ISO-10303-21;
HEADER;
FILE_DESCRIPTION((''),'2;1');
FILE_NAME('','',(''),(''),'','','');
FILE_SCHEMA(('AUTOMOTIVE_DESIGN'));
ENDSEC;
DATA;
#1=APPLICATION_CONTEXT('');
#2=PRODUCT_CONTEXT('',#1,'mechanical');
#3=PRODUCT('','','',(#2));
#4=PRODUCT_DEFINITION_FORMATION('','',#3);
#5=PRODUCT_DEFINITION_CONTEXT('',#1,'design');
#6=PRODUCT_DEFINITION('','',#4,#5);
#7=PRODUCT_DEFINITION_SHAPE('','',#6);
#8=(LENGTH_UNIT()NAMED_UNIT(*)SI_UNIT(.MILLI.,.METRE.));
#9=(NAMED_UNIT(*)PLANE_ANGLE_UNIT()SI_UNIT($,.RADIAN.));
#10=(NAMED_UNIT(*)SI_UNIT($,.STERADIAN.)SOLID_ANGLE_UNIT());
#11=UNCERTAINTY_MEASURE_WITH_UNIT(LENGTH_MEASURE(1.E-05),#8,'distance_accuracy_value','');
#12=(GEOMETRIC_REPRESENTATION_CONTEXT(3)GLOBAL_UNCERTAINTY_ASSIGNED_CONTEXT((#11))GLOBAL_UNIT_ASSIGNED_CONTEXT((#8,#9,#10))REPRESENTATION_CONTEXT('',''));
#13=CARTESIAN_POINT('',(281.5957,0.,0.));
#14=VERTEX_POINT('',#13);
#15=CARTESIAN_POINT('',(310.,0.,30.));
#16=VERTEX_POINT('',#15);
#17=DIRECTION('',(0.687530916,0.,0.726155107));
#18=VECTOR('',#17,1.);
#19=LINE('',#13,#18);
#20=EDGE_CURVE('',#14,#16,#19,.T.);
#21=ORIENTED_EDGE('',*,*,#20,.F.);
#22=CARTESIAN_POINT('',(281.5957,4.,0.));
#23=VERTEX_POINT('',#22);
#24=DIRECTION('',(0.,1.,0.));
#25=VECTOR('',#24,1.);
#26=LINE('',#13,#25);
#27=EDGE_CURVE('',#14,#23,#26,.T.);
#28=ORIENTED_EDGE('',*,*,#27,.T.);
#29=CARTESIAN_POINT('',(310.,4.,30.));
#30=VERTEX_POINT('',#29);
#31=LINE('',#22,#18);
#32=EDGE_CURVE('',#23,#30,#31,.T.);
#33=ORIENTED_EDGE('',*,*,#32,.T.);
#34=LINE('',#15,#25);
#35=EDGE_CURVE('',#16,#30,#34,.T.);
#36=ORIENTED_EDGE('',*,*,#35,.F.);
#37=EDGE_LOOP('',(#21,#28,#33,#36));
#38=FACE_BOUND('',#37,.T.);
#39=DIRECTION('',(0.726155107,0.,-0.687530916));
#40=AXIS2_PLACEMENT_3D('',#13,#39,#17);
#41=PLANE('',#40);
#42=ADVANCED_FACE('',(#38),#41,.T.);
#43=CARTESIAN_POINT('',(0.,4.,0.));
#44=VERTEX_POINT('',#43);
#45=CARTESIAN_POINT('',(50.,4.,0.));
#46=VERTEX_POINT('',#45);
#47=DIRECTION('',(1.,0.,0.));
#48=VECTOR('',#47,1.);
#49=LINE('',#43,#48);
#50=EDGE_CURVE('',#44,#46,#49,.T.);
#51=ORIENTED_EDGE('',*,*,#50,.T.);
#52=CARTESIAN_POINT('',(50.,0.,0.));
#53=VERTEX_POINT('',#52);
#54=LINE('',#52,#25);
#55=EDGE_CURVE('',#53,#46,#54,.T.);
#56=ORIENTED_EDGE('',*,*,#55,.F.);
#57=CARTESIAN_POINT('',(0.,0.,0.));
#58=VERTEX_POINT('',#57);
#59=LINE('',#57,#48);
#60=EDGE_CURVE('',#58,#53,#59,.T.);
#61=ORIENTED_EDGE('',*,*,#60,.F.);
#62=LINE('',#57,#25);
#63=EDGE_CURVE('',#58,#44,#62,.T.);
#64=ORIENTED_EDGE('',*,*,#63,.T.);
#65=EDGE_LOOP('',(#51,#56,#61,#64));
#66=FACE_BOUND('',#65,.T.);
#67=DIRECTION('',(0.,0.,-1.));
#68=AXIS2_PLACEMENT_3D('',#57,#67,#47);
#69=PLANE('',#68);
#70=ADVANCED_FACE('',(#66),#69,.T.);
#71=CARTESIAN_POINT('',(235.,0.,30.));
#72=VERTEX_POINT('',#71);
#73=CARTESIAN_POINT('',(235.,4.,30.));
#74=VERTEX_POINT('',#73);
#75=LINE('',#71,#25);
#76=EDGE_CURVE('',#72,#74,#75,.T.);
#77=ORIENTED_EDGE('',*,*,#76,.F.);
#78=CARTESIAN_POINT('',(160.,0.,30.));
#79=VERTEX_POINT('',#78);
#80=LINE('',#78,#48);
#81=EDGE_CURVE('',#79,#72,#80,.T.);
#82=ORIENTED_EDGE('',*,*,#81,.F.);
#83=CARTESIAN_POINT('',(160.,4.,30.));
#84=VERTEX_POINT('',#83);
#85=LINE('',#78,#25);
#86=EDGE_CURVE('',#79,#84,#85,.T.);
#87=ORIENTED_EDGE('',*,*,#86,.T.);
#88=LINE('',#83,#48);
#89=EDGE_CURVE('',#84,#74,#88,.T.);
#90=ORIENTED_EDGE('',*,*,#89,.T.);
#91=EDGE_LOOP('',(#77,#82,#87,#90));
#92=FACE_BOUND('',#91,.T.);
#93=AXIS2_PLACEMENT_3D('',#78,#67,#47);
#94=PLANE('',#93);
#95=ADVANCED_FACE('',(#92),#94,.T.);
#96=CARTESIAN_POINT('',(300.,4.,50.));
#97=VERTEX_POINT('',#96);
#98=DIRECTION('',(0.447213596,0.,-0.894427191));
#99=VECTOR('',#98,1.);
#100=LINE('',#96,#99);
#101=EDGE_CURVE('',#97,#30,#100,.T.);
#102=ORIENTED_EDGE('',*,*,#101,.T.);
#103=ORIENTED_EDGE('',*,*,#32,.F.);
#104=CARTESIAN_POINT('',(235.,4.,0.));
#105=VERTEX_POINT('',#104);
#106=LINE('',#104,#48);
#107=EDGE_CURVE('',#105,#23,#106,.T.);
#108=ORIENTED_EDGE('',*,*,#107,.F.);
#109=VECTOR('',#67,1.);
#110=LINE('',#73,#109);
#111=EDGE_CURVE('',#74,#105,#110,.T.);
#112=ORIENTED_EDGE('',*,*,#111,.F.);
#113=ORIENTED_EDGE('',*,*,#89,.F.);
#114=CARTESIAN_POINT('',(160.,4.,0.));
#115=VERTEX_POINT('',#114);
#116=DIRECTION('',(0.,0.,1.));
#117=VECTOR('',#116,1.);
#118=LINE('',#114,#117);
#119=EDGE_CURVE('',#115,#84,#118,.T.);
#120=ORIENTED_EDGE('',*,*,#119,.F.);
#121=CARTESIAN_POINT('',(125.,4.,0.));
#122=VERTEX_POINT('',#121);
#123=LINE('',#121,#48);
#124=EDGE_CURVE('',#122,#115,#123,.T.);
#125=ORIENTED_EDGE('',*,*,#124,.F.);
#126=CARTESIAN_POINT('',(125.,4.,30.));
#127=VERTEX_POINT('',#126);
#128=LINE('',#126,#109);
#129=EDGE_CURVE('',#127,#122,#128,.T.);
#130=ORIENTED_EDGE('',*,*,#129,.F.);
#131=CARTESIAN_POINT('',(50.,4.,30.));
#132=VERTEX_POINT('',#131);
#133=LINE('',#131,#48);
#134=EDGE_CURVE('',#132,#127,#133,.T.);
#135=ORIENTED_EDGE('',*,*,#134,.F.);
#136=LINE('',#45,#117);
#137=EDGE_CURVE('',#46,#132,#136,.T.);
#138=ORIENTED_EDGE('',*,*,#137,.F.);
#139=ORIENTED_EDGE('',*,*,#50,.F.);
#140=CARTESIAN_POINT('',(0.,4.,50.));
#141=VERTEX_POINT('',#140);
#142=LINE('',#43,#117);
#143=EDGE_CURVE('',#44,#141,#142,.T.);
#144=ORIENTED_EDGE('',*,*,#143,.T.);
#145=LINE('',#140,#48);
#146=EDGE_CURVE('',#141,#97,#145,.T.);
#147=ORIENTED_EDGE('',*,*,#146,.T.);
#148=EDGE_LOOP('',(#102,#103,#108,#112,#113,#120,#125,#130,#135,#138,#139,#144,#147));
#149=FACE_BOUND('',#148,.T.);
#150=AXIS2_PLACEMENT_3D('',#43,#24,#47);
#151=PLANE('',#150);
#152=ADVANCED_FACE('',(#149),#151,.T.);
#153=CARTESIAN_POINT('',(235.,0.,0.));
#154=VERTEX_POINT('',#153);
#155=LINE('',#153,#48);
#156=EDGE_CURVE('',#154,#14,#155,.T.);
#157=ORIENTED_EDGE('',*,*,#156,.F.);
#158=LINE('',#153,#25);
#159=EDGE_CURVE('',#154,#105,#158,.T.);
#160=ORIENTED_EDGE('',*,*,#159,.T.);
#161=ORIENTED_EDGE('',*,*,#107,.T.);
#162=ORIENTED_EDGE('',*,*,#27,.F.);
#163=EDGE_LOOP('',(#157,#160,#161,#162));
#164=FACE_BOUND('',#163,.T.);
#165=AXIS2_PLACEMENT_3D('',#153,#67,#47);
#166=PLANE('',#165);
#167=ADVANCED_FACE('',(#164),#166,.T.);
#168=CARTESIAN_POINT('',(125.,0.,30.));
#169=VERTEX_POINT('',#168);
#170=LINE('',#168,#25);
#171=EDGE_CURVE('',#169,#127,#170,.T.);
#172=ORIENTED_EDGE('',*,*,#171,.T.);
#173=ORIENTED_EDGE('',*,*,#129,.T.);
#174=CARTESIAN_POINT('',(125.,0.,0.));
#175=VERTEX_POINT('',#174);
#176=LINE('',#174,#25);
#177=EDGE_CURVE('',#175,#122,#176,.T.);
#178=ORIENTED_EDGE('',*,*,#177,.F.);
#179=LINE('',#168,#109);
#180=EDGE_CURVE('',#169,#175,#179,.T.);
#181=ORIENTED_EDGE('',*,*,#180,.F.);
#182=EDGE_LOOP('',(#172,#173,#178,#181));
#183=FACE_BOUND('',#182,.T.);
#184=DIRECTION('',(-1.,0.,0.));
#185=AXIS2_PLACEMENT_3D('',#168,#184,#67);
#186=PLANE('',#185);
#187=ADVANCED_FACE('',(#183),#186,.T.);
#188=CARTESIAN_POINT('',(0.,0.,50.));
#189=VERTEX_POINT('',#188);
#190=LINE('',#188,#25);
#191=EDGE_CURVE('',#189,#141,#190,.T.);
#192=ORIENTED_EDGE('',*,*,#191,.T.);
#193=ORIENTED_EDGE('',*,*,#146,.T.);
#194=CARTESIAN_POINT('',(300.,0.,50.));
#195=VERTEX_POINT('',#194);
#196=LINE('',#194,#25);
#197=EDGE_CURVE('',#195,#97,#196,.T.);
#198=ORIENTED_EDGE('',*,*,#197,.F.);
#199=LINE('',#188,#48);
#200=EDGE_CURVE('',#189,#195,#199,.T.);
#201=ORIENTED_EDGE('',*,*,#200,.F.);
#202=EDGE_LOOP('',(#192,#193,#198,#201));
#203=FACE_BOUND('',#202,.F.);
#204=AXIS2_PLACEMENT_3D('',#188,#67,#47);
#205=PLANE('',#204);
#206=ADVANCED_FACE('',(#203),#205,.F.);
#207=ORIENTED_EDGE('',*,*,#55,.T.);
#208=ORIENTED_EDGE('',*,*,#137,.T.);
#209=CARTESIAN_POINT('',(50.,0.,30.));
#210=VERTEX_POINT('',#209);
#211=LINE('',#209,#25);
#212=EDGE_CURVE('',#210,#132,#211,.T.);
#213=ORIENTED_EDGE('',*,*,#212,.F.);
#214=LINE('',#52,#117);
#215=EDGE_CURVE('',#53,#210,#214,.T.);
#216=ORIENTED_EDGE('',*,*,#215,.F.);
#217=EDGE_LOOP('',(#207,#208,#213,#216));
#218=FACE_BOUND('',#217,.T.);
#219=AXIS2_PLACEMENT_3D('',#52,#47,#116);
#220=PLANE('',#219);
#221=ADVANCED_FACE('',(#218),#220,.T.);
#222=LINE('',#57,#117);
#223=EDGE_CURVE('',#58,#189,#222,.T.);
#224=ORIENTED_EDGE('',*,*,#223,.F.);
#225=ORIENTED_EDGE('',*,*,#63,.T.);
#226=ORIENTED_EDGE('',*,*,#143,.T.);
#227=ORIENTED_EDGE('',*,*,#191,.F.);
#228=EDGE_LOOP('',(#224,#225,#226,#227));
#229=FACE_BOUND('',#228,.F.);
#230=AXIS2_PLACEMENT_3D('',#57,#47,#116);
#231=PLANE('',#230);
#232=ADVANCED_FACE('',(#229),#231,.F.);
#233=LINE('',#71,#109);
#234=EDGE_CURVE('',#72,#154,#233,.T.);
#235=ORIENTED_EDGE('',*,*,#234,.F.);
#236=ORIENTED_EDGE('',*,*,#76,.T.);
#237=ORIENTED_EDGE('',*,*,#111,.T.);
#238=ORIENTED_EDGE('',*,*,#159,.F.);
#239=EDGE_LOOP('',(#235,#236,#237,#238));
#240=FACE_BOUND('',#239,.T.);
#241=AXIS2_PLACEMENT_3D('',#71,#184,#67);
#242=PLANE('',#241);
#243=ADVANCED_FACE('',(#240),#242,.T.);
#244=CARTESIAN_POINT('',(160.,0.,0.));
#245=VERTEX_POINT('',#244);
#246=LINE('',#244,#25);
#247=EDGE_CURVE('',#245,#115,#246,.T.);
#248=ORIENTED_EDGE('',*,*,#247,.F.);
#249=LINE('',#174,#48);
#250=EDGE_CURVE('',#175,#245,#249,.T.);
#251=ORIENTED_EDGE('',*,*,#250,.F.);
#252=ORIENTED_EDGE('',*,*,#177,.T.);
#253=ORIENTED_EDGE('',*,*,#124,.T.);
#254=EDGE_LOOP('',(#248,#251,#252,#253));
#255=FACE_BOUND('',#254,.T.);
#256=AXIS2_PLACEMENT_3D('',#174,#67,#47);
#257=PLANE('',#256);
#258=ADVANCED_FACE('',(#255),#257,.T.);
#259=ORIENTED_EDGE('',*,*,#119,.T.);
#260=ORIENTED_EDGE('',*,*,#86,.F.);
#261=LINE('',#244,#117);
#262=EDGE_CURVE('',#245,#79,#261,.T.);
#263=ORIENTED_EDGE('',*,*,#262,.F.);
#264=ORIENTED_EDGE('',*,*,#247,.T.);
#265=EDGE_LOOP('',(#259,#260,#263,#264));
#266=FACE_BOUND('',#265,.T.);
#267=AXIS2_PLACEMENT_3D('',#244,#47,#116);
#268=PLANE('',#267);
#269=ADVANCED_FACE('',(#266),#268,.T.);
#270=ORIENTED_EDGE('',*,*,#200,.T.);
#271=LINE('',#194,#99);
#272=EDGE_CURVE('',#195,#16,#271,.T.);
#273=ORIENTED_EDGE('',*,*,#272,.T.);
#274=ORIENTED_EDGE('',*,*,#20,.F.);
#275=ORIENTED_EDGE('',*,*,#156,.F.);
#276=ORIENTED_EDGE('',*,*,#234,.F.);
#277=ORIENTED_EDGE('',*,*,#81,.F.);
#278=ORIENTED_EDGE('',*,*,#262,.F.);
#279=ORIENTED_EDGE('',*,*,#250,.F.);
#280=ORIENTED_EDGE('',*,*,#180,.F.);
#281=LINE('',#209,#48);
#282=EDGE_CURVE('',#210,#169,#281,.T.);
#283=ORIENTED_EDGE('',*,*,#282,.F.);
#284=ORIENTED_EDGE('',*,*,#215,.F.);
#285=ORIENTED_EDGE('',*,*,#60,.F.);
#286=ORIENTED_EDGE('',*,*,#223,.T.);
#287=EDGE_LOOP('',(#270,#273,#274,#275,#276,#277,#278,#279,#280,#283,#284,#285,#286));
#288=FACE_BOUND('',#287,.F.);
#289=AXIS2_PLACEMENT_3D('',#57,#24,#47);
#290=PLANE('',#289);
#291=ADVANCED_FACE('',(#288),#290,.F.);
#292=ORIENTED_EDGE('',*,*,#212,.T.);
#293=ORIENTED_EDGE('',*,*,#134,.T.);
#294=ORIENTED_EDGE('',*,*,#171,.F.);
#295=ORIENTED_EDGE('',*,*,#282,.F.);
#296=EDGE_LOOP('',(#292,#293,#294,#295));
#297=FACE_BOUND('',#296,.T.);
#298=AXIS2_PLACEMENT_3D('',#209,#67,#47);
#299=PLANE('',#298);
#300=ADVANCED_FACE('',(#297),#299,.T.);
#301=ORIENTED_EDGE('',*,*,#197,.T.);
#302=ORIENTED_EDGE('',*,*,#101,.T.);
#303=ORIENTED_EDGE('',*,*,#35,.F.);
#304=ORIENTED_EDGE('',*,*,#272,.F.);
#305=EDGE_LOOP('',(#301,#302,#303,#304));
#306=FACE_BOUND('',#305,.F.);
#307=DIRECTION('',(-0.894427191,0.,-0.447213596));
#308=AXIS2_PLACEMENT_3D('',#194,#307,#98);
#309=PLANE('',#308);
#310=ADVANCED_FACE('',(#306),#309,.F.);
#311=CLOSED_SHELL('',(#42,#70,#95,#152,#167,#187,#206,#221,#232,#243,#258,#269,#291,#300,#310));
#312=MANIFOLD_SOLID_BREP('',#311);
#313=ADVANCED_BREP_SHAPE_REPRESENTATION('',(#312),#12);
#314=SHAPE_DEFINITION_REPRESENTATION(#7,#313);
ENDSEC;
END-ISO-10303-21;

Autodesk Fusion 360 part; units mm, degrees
sketch "Sketch1" plane through (0, 0, 0) normal (0, 1, 0) x (1, 0, 0)
  line L0 (0, 0) -> (0, -50)
  line L1 (0, -50) -> (300, -50)
  line L2 (0, 0) -> (50, 0)
  line L3 (50, 0) -> (50, -30)
  line L4 (50, -30) -> (125, -30)
  line L5 (125, -30) -> (125, 0)
  line L6 (125, 0) -> (160, 0)
  line L7 (160, 0) -> (160, -30)
  line L8 (160, -30) -> (235, -30)
  line L9 (235, -30) -> (235, 0)
  line L10 (235, 0) -> (281.5957, 0)
  line L11 (299.4269, -50.5394) -> (300, -50)
  line L12 (0, 0) -> (350, 0) construction
  line L13 (281.5957, 0) -> (310, -30) construction
  line L14 (310, -30) -> (300, -50) construction
  line L15 (281.5957, 0) -> (310, -30)
  line L16 (300, -50) -> (310, -30)
  dimension "d1" = 50
  dimension "d2" = 300
  dimension "d3" = 50
  dimension "d4" = 30
  dimension "d5" = 75
  dimension "d6" = 35
  dimension "d7" = 75
  dimension "d11" = 30
  dimension "d12" = 30
  dimension "d13" = 350
  dimension "d16" = 30
  dimension "d17" = 30
  dimension "d19" = 110
  dimension "d20" = 41.3135
extrude "Extrude1" add sketch "Sketch1" along normal blind 4
